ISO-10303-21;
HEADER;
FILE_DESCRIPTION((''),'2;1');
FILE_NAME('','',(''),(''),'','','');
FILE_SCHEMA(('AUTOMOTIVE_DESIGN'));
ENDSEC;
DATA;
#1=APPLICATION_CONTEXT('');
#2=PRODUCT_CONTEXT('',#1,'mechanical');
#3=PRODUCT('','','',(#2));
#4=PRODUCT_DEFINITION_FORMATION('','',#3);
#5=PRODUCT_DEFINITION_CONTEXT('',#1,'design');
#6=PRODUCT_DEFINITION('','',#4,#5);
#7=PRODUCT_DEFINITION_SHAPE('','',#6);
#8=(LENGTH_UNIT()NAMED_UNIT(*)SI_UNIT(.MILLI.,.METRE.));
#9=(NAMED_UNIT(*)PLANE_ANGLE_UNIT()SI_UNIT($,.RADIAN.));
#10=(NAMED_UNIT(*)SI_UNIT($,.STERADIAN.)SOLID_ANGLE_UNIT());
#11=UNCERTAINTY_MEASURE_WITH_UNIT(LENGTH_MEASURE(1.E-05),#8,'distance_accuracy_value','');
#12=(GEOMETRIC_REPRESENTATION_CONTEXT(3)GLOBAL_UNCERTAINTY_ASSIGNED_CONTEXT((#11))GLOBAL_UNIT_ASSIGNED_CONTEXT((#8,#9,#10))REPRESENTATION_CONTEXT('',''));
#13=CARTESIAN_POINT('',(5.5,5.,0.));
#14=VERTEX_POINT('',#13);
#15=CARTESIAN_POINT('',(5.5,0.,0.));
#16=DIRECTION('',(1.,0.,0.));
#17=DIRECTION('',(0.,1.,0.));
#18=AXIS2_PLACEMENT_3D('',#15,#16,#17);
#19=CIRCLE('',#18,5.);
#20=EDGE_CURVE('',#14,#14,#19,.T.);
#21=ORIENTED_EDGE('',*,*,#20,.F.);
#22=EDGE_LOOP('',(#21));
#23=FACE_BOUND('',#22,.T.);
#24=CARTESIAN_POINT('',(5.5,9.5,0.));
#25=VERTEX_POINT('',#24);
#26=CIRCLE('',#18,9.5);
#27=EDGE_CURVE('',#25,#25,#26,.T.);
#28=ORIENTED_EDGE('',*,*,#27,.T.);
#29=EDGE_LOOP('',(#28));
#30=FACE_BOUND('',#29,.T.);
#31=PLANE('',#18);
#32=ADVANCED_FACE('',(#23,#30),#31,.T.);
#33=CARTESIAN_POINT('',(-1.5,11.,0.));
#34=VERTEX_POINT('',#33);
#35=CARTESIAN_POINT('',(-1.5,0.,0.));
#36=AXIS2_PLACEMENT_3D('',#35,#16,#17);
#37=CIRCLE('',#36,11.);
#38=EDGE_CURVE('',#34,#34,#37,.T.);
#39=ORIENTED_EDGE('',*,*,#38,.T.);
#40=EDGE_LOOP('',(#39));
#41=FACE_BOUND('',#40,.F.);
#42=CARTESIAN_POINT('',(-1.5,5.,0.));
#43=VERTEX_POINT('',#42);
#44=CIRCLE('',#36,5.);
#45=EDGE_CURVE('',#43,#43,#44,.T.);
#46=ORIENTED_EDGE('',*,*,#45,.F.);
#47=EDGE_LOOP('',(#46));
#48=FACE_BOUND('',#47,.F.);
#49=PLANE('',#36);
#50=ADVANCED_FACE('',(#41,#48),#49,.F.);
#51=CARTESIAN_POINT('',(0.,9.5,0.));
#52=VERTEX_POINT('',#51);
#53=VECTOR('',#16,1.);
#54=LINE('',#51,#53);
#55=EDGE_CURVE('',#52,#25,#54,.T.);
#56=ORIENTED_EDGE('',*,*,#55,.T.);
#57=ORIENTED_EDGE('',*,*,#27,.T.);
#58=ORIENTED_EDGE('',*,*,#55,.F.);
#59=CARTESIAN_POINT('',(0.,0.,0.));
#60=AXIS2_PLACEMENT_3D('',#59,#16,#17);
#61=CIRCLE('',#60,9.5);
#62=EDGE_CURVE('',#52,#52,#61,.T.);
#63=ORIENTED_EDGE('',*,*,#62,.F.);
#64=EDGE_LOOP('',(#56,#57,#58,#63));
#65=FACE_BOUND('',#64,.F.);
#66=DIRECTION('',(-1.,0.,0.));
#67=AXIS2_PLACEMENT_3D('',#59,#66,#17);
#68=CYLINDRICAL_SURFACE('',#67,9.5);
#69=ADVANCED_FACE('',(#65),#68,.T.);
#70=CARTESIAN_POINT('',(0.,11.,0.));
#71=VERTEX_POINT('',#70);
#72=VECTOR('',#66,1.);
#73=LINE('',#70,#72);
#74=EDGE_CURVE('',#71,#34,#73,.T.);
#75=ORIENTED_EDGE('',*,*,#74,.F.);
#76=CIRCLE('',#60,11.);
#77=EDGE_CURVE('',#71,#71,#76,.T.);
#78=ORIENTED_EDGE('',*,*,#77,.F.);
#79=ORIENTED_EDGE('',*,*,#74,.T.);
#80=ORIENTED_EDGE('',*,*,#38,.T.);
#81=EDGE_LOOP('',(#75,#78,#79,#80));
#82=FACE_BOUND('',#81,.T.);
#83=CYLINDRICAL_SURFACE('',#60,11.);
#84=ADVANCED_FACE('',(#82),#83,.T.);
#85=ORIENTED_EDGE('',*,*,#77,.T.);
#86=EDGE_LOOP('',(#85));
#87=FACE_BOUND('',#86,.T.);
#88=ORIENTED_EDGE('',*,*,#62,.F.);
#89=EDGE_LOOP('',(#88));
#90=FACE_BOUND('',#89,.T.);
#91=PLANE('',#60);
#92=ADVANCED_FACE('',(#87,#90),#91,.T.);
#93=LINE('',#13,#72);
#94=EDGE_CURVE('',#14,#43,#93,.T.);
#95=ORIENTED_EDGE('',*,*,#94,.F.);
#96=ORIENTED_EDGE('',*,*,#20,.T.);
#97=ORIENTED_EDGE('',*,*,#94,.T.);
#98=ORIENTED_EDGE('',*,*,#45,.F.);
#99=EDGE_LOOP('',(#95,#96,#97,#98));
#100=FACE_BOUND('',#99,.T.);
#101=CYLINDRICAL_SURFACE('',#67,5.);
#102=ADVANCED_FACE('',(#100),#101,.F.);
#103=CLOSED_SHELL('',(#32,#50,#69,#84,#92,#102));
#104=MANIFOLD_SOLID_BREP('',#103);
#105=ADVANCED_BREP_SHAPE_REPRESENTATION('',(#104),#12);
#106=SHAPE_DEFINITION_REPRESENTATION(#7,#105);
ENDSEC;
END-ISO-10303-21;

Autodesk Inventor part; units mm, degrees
ref_plane "YZ Plane" through (0, 0, 0) normal (1, 0, 0) x (0, 1, 0)
ref_plane "XZ Plane" through (0, 0, 0) normal (0, 1, 0) x (-1, 0, 0)
ref_plane "XY Plane" through (0, 0, 0) normal (0, 0, 1) x (1, 0, 0)
sketch "スケッチ1" plane through (0, 0, 0) normal (1, 0, 0) x (0, 1, 0)
  circle A0 centre (0, 0) radius 5
  circle A1 centre (0, 0) radius 9.5
  circle A2 centre (0, 0) radius 11
  dimension "d0" = 10
  dimension "d1" = 19
  dimension "d2" = 22
extrude "押し出し1" add sketch "スケッチ1" against normal blind 1.5 contours A1 | A2
extrude "押し出し2" add sketch "スケッチ1" along normal blind 5.5 contours A1
properties part number "bear_10_19" material "アルミニウム 6061"
